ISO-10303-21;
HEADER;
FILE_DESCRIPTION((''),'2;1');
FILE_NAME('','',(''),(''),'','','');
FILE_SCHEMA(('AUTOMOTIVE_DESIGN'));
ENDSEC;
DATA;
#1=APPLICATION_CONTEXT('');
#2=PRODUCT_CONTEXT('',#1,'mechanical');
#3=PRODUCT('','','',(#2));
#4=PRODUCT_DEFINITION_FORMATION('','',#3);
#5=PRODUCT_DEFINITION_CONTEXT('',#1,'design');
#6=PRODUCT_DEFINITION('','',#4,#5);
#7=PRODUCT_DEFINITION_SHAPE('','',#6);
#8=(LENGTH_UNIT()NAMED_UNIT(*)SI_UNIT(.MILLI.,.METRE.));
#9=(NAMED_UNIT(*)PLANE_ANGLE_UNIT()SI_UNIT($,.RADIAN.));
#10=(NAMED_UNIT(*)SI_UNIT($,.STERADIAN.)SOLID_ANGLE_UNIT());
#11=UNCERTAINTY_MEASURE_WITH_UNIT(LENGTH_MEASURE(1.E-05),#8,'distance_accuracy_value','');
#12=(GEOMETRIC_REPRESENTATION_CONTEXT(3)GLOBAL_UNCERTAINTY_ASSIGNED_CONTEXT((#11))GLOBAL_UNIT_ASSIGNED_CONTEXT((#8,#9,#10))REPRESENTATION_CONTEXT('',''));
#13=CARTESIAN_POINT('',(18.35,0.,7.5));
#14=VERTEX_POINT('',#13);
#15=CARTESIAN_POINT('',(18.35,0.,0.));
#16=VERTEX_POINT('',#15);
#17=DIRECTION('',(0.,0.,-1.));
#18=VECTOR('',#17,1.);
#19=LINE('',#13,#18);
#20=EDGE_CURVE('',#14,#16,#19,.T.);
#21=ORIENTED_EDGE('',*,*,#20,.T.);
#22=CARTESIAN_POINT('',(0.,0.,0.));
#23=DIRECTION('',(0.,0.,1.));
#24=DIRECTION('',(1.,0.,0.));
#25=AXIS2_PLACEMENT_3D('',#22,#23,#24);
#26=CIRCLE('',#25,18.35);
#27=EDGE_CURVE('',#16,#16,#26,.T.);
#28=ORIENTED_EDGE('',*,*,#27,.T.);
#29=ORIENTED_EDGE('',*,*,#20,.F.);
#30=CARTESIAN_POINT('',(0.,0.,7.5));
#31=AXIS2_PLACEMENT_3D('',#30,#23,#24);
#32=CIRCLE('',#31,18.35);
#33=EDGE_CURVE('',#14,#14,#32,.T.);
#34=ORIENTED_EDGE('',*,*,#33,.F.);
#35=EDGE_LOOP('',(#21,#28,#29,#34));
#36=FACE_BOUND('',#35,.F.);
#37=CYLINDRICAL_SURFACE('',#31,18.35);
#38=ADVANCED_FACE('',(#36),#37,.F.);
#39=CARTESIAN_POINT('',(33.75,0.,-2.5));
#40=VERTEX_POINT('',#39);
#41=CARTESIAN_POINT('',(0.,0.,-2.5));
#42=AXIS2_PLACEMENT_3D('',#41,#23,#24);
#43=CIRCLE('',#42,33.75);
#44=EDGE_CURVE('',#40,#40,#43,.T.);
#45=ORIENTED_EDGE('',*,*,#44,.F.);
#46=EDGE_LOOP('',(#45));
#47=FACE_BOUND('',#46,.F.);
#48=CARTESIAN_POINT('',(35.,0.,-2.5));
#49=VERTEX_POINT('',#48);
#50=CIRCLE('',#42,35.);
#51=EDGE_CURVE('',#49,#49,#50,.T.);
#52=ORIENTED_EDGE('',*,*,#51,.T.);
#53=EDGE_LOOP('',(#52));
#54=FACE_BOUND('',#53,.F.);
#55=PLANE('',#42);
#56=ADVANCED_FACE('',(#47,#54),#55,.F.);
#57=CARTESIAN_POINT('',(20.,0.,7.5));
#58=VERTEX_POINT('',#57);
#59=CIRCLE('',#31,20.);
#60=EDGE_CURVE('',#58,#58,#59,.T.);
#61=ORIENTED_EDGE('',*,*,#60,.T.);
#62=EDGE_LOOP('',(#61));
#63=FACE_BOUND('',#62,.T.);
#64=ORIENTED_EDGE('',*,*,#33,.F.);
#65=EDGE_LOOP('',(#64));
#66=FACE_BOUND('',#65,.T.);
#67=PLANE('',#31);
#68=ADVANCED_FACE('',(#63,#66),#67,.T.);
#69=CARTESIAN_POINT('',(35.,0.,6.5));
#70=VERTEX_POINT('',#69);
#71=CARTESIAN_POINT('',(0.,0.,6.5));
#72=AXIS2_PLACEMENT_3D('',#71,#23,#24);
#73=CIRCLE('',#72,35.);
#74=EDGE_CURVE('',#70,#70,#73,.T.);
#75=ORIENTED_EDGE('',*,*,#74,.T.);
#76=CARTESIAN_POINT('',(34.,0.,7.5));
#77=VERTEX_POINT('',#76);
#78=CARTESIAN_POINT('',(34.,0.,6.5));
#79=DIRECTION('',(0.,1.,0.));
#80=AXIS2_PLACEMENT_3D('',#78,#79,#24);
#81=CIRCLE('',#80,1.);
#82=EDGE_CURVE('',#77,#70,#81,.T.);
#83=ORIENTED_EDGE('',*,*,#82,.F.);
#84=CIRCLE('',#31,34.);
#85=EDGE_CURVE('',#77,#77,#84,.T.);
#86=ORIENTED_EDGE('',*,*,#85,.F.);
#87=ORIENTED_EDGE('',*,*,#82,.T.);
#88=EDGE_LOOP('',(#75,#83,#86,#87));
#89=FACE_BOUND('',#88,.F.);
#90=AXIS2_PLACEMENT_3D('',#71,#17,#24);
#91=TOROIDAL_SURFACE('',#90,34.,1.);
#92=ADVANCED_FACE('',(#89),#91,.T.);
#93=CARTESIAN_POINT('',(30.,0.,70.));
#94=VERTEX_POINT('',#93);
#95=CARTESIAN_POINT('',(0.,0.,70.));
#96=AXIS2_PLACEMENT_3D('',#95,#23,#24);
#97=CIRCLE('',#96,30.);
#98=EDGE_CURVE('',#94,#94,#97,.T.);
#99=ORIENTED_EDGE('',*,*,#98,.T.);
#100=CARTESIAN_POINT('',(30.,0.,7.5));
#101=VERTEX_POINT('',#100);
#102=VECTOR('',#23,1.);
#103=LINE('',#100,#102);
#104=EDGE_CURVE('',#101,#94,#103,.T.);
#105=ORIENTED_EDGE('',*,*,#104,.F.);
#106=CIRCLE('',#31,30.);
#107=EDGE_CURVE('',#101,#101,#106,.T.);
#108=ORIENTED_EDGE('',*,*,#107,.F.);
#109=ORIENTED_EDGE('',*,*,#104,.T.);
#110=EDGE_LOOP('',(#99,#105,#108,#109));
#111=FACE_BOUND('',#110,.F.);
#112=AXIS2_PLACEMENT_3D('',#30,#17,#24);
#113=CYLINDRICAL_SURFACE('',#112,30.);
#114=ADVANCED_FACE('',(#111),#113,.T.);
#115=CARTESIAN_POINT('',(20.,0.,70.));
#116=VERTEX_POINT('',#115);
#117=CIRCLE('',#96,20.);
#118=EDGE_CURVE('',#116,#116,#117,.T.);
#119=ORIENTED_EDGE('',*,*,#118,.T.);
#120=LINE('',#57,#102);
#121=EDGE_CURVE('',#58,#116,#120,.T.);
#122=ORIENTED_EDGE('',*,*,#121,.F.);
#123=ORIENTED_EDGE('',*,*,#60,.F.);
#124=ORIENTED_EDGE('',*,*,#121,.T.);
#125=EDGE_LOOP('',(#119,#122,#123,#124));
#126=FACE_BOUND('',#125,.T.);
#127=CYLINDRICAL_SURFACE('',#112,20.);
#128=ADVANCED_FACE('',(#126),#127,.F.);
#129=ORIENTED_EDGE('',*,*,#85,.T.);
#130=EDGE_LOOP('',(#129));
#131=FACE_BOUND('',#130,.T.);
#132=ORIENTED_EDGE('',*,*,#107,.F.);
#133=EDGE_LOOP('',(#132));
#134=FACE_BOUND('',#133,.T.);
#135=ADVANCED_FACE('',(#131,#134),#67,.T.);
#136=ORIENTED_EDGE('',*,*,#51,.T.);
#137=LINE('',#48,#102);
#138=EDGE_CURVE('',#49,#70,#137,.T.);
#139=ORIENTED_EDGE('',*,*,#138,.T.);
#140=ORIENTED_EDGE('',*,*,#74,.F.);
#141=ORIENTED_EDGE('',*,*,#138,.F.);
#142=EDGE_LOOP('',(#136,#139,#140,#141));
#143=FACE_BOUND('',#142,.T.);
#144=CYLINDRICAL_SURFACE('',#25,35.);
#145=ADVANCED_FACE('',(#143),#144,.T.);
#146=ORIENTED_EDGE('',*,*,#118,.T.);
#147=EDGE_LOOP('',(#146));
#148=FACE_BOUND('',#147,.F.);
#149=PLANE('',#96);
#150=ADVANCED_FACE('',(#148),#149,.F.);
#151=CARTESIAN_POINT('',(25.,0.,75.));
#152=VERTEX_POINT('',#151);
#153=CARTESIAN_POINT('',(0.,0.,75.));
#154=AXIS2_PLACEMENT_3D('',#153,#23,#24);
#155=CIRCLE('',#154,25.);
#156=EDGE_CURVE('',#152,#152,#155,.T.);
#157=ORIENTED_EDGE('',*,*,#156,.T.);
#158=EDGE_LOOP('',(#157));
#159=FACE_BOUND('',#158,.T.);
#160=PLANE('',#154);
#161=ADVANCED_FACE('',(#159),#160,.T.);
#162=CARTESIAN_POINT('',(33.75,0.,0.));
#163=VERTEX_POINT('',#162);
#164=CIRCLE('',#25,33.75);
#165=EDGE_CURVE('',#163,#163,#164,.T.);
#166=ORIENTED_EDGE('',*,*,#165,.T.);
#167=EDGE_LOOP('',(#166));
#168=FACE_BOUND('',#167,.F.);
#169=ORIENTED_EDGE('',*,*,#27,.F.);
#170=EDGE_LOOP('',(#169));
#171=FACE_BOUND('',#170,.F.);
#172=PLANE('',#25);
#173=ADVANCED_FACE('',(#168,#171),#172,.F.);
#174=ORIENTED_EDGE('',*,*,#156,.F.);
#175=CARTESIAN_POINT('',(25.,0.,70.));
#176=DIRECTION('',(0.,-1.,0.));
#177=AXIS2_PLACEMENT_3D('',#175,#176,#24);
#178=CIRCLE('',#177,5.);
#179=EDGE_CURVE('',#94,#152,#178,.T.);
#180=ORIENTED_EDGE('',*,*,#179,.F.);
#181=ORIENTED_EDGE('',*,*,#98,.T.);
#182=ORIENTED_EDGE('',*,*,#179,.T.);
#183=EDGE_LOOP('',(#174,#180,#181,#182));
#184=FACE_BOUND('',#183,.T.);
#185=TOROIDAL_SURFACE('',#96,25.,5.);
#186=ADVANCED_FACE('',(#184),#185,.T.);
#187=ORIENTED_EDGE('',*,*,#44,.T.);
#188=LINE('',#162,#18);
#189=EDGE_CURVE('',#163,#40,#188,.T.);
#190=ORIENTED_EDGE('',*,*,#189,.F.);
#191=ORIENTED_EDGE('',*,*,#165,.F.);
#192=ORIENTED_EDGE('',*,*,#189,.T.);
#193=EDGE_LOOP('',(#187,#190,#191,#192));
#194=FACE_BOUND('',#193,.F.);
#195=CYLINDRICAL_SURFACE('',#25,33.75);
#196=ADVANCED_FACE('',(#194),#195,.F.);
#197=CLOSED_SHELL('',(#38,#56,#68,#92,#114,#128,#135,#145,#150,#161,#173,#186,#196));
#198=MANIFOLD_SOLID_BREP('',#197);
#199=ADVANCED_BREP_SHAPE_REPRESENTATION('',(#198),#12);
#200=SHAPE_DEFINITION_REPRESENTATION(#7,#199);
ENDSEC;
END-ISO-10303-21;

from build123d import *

# Parameters (mm, degrees)
F0_R        = 35
F1_DEPTH    = 7.5
F2_R        = 18.35
F3_DEPTH    = 25
F5_R        = 30
F5_R_2      = 20
F6_DEPTH    = 67.5
F7_R        = 5
F8_START    = 62.5
F6_FACE_R   = 20
F6_FACE_R_2 = 18.35
F8_DEPTH    = 5
F9_R        = 1
F11_R       = 18.35
F12_DEPTH   = 5
F13_R       = 35
F13_R_2     = 33.75
F14_DEPTH   = 2.5


with BuildPart() as f1:
    # F0 (on Top) → F1 (new body)
    with BuildSketch(Plane.XY):
        Circle(F0_R)
    extrude(amount=F1_DEPTH)

    # F2 (on face) → F3 (cut)
    with BuildSketch(Plane.XY.offset(7.5)):
        Circle(F2_R)
    extrude(amount=-F3_DEPTH, mode=Mode.SUBTRACT)

    # F5 (on face) → F6 (join)
    with BuildSketch(Plane.XY.offset(7.5)):
        Circle(F5_R)
        Circle(F5_R_2, mode=Mode.SUBTRACT)
    extrude(amount=F6_DEPTH)

    # F7
    f7_edges = [f1.edges().sort_by_distance(p)[0] for p in [
        (-30, 0, 75),
    ]]
    fillet(f7_edges, radius=F7_R)

    # F6_face (on face) → F8 (join)
    with BuildSketch(Plane.XY.offset(7.5).offset(F8_START)):
        Circle(F6_FACE_R)
        Circle(F6_FACE_R_2, mode=Mode.SUBTRACT)
    extrude(amount=F8_DEPTH)

    # F9
    f9_edges = [f1.edges().sort_by_distance(p)[0] for p in [
        (-35, 0, 7.5),
    ]]
    fillet(f9_edges, radius=F9_R)

    # F11 (on offset) → F12 (join)
    with BuildSketch(Plane.XY.offset(75)):
        Circle(F11_R)
    extrude(amount=-F12_DEPTH)

    # F13 (on face) → F14 (join)
    with BuildSketch(Plane.XY):
        Circle(F13_R)
        Circle(F13_R_2, mode=Mode.SUBTRACT)
    extrude(amount=-F14_DEPTH)


solid = f1.part
